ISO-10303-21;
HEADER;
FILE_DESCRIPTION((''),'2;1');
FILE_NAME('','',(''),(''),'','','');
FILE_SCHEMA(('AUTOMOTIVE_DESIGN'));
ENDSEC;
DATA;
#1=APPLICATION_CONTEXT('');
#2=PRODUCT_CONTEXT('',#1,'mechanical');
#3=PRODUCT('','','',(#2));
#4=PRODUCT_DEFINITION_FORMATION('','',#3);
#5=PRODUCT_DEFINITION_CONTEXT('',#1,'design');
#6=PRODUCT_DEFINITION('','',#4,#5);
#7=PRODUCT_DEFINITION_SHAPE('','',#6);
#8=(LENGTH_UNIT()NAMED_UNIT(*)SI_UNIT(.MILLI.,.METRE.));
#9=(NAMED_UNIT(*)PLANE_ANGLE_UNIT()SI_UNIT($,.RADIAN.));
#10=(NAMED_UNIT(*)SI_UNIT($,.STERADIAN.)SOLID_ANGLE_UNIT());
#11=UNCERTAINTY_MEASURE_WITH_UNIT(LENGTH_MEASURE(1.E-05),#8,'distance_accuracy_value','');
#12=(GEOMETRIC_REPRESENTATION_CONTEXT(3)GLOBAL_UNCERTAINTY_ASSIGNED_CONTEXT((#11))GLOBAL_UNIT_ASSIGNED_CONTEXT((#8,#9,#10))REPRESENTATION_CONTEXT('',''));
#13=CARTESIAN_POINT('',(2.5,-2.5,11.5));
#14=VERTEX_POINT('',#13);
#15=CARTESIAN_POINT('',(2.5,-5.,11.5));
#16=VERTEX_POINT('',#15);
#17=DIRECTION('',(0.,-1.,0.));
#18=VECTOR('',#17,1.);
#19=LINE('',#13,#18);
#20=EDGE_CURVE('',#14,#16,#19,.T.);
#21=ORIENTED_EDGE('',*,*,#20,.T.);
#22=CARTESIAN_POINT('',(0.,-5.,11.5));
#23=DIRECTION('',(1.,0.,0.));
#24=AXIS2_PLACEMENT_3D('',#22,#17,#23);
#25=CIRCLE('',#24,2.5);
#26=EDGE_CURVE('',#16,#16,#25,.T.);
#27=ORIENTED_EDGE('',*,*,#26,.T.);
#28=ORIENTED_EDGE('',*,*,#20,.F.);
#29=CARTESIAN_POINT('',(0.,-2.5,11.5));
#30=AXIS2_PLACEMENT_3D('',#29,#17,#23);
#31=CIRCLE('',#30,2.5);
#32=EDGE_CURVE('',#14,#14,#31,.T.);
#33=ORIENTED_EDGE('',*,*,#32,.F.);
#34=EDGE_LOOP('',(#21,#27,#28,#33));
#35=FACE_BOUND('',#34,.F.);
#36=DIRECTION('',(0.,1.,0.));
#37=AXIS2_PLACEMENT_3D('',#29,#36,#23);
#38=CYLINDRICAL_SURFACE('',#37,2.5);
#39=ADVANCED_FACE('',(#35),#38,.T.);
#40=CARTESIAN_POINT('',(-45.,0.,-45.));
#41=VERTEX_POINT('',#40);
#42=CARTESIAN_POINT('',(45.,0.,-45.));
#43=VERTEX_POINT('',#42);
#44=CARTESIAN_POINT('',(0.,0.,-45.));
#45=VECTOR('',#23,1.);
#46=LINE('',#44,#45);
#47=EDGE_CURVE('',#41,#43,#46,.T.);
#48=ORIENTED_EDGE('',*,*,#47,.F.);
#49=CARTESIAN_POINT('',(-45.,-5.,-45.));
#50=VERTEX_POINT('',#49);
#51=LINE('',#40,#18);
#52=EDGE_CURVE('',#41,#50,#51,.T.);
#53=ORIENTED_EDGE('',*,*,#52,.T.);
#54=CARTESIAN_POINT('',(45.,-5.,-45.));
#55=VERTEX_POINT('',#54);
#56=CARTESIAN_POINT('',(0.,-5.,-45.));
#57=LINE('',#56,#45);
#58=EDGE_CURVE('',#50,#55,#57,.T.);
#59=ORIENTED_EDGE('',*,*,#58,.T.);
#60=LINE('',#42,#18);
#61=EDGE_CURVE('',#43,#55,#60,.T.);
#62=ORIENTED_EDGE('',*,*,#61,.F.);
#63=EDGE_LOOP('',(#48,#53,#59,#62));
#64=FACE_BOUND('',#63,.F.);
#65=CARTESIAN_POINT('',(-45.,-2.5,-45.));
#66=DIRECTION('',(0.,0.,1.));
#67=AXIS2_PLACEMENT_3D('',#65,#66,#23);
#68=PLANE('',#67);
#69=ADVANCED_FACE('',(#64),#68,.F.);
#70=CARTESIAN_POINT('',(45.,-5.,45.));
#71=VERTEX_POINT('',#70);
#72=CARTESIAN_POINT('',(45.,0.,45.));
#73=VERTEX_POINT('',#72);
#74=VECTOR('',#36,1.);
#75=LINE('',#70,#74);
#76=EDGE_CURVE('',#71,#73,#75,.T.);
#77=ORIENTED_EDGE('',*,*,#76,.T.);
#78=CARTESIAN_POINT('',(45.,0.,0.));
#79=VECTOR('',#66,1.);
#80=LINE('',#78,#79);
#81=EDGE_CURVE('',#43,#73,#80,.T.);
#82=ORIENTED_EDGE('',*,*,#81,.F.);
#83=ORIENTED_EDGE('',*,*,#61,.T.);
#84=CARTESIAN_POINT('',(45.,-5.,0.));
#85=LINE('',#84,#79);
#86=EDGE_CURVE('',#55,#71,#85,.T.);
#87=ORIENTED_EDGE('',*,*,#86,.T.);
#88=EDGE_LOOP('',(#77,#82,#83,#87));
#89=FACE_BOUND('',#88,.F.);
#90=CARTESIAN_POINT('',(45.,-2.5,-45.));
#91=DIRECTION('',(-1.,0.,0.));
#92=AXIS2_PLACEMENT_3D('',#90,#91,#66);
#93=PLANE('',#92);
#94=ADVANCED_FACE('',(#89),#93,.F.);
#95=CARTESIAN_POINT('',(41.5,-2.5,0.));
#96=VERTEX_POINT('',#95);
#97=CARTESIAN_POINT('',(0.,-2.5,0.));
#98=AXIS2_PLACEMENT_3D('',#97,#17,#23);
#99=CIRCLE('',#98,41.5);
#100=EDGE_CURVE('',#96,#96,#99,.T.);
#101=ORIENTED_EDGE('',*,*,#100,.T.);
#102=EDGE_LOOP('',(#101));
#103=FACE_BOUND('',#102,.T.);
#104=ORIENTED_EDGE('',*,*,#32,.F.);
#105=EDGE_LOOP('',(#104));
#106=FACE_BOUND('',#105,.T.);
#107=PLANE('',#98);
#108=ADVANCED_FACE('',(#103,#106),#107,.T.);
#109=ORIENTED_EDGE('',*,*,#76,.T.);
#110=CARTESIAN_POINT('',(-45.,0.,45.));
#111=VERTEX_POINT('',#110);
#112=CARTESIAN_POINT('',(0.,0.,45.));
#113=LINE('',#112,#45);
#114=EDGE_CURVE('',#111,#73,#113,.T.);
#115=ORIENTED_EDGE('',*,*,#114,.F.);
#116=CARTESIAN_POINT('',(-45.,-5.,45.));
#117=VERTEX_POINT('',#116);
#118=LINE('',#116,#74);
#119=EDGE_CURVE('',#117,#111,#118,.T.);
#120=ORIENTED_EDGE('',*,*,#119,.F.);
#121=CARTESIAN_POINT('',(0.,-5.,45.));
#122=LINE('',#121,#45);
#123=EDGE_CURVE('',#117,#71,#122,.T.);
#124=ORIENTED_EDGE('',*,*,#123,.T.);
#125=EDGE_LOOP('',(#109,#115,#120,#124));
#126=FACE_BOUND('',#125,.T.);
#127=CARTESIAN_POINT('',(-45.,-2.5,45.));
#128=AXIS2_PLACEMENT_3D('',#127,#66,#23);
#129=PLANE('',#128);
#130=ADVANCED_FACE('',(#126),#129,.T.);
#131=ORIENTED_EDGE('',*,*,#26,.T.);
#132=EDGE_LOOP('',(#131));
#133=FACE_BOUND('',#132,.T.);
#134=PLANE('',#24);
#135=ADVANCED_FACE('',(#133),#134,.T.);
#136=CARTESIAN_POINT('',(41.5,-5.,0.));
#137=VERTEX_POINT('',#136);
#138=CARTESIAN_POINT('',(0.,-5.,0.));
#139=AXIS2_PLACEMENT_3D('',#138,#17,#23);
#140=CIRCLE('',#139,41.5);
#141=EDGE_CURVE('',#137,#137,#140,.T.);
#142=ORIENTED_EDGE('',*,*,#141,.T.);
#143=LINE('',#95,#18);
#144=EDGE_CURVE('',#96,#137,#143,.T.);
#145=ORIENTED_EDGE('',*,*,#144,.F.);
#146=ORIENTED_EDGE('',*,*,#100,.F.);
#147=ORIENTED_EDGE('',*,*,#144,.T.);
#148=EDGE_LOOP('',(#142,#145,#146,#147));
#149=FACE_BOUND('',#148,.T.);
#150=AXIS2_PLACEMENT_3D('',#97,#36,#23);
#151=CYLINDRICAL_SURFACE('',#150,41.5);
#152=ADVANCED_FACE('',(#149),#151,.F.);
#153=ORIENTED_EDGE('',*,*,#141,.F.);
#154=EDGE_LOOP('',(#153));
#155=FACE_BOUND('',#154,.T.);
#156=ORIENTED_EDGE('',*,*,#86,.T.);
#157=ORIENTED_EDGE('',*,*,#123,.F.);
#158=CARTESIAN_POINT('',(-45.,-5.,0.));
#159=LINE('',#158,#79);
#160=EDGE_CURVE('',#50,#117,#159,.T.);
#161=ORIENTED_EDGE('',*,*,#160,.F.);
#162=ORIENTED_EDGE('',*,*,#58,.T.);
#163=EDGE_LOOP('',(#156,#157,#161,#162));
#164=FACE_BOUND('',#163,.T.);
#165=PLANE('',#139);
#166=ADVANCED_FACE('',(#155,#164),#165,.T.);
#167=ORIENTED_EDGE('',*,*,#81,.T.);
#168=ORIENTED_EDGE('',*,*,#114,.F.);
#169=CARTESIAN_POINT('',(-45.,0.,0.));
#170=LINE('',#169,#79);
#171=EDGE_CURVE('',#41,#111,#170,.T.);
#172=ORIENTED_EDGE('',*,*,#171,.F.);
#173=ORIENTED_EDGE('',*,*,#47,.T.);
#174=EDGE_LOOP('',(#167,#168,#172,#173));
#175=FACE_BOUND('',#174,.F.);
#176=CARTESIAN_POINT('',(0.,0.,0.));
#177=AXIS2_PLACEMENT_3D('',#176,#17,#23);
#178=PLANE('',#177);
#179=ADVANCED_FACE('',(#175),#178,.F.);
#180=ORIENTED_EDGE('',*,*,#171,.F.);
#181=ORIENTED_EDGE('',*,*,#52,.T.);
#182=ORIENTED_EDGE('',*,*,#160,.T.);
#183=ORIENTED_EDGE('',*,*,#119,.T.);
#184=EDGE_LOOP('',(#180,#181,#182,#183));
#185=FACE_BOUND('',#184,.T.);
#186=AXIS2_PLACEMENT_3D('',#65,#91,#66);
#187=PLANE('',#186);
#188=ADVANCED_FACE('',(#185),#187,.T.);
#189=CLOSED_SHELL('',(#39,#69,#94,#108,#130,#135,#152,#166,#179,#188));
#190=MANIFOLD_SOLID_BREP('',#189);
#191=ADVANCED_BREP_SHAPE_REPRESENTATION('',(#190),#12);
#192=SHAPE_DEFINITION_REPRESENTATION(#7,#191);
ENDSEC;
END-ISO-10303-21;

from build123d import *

# Parameters (mm, degrees)
F0_W     = 90
F0_H     = 90
F1_DEPTH = 2.5
F2_W     = 90
F2_H     = 90
F2_R     = 41.5
F3_DEPTH = 2.5
F4_R     = 2.5
F5_DEPTH = 2.5


with BuildPart() as f1:
    # F0 (on Front) → F1 (new body)
    with BuildSketch(Plane.XZ):
        Rectangle(F0_W, F0_H)
    extrude(amount=F1_DEPTH)

    # F2 (on face) → F3 (join)
    with BuildSketch(Plane.XZ.offset(2.5)):
        Rectangle(F2_W, F2_H)
        Circle(F2_R, mode=Mode.SUBTRACT)
    extrude(amount=F3_DEPTH)

    # F4 (on face) → F5 (join)
    with BuildSketch(Plane.XZ.offset(2.5)):
        with Locations((0, 11.5)):
            Circle(F4_R)
    extrude(amount=F5_DEPTH)


solid = f1.part
